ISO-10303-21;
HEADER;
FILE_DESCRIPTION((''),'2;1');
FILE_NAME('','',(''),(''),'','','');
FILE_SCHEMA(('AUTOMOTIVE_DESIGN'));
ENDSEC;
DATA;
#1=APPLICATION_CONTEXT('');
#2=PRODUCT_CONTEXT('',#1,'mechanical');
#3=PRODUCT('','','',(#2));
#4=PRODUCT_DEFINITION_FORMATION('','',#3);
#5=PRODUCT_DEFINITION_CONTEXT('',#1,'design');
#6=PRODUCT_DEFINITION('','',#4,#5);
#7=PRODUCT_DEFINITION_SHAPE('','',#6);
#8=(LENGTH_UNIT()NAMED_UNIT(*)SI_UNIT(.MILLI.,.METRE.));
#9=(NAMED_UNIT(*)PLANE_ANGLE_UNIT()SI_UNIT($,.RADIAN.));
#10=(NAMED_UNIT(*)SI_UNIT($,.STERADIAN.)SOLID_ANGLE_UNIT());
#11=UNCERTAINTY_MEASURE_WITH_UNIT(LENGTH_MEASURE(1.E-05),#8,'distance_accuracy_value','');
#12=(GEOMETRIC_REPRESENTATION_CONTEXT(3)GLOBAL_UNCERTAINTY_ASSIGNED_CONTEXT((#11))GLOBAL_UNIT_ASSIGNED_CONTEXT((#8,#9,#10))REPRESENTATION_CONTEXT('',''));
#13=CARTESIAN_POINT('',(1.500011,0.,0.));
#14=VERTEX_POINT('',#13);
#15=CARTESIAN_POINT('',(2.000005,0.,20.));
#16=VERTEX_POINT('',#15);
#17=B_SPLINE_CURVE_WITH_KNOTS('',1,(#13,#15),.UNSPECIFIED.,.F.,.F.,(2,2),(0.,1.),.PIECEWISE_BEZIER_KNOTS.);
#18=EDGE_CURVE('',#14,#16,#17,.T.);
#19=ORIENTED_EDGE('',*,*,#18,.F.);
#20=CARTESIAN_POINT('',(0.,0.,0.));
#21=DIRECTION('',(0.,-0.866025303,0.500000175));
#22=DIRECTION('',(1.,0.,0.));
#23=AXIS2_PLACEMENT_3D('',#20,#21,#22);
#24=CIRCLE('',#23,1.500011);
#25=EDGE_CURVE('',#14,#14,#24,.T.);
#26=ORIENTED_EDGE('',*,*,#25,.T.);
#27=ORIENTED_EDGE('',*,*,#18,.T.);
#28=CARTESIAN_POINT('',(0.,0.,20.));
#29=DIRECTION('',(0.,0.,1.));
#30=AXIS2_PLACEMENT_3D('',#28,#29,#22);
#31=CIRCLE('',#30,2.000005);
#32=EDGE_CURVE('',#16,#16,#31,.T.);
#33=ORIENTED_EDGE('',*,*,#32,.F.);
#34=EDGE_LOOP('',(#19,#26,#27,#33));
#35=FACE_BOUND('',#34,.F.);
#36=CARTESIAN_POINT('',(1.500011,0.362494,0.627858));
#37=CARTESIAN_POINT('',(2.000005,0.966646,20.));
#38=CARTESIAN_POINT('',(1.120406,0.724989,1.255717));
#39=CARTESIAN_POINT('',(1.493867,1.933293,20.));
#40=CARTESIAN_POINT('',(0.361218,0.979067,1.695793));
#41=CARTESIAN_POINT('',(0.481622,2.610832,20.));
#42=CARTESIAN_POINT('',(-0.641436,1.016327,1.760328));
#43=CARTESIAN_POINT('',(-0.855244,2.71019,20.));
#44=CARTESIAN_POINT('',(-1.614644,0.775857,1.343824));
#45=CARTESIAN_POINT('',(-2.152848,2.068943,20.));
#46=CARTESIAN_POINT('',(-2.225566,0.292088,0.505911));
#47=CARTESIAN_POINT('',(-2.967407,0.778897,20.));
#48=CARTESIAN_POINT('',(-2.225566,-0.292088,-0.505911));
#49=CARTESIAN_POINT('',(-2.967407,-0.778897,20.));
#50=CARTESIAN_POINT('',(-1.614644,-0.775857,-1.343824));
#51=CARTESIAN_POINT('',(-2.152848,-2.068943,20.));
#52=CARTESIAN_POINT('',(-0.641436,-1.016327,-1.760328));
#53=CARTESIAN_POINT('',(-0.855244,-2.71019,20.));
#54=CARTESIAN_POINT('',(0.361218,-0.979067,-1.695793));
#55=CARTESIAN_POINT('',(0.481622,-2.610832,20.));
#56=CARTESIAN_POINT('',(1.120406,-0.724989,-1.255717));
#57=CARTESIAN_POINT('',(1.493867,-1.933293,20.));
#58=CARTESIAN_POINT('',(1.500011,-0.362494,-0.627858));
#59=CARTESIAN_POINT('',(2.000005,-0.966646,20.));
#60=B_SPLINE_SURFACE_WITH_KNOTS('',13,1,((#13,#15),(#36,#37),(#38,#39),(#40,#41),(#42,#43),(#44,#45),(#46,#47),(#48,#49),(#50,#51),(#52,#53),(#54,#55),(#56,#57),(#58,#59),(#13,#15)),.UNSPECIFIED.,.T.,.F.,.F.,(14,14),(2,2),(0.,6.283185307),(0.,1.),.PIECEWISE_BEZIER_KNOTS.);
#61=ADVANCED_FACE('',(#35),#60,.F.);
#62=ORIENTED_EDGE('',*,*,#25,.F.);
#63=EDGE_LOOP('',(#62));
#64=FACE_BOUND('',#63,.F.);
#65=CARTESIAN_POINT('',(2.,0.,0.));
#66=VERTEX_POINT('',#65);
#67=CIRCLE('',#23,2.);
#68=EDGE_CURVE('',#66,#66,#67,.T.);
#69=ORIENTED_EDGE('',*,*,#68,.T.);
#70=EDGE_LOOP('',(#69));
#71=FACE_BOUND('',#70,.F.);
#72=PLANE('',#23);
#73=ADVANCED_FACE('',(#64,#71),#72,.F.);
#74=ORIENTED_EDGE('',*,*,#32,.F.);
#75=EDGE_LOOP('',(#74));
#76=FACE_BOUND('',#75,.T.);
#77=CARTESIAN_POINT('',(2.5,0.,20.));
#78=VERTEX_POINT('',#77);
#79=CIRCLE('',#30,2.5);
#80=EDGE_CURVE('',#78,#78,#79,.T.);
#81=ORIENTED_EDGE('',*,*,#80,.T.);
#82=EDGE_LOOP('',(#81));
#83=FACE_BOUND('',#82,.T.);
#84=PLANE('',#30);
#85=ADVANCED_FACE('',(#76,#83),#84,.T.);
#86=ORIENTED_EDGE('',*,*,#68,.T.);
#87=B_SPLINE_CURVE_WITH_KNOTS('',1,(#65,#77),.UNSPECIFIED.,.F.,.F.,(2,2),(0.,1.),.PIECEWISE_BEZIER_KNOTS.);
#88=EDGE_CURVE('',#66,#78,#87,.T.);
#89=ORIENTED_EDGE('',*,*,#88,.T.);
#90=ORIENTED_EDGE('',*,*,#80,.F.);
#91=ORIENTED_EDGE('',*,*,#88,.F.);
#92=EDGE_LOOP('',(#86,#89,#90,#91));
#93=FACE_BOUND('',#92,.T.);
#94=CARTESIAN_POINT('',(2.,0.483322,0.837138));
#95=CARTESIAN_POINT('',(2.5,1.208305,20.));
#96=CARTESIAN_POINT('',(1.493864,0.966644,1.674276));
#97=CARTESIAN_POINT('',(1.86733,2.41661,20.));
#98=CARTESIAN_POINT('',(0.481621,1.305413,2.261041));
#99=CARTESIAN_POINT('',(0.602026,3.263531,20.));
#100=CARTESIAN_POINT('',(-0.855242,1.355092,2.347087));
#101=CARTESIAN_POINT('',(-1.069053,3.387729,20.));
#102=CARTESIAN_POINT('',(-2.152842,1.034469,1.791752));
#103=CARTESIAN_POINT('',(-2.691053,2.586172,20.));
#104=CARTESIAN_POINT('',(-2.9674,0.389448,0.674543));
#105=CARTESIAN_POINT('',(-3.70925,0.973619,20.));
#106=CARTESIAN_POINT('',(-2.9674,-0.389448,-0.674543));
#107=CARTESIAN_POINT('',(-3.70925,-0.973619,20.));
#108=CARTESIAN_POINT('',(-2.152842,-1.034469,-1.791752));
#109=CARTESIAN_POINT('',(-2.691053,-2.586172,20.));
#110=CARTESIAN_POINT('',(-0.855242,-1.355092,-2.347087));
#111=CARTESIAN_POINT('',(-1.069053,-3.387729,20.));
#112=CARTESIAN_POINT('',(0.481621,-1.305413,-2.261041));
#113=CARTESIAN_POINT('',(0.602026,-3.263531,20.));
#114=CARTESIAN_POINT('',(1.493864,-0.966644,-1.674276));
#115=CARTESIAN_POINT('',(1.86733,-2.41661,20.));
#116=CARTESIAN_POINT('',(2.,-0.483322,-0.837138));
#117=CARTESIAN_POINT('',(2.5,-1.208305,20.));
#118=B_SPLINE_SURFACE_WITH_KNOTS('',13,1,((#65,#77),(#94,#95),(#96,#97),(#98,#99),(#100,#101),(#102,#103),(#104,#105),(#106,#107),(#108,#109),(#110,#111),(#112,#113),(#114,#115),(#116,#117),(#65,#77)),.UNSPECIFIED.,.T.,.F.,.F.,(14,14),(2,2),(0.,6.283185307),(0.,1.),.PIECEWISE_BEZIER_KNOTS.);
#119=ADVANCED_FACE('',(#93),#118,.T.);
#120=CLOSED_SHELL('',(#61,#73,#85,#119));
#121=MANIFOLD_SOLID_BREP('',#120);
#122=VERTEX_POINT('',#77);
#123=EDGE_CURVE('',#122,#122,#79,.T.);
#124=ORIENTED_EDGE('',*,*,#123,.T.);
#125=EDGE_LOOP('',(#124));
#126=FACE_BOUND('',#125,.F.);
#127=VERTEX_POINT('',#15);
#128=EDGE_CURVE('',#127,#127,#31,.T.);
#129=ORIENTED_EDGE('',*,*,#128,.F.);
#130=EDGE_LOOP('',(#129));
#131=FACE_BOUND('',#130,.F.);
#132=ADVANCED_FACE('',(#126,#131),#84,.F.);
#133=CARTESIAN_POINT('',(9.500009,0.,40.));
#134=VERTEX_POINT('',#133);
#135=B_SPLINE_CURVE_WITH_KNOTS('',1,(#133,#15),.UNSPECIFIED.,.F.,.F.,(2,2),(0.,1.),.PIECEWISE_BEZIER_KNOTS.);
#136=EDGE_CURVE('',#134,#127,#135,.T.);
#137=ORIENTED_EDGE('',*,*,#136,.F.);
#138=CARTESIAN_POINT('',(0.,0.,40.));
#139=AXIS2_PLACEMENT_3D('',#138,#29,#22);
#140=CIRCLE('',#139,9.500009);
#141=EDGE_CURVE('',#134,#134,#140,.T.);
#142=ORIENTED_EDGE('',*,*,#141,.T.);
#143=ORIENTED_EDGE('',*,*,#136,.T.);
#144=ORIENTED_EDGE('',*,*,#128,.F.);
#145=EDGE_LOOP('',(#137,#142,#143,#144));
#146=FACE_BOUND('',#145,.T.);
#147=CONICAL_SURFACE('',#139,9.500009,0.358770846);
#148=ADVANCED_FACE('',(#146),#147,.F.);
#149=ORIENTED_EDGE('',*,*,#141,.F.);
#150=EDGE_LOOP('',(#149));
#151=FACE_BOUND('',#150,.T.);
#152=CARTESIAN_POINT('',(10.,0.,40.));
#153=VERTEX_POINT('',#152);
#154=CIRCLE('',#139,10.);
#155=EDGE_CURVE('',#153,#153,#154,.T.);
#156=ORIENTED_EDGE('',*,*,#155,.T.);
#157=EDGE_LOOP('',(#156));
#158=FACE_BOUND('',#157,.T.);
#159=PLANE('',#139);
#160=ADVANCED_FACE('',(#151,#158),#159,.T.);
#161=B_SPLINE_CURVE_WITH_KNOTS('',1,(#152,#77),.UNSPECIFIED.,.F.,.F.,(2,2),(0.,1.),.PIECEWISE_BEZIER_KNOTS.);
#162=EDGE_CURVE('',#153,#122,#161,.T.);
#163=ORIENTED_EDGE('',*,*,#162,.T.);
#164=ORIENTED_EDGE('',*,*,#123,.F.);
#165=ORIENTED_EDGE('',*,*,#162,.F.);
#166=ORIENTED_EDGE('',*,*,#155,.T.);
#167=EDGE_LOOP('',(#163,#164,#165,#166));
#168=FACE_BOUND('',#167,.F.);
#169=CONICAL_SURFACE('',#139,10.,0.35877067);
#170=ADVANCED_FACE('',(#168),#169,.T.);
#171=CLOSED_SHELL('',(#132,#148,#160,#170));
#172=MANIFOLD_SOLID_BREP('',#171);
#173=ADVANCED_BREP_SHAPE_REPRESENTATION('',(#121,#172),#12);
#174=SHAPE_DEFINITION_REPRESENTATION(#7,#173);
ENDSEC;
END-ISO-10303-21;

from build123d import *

# Parameters (mm, degrees)
SKETCH002_R = 1.500011
SKETCH003_R = 2.000005
SKETCH_R    = 2
SKETCH001_R = 2.5
SKETCH005_R = 9.500009
SKETCH004_R = 10


with BuildPart() as loft_body:
    # Sketch002 → Loft section 0
    with BuildSketch(Plane(origin=(0, 0, 0), x_dir=(1, 0, 0), z_dir=(0, -0.866025, 0.5))):
        Circle(SKETCH002_R)
    # Sketch003 → Loft section 1
    with BuildSketch(Plane.XY.offset(20)):
        Circle(SKETCH003_R)
    loft()


with BuildPart() as cut:
    # Sketch → Loft001 section 0
    with BuildSketch(Plane(origin=(0, 0, 0), x_dir=(1, 0, 0), z_dir=(0, -0.866025, 0.5))):
        Circle(SKETCH_R)
    # Sketch001 → Loft001 section 1
    with BuildSketch(Plane.XY.offset(20)):
        Circle(SKETCH001_R)
    loft()

    # Cut: cut Loft body
    add(loft_body.part, mode=Mode.SUBTRACT)


with BuildPart() as loft003:
    # Sketch005 → Loft003 section 0
    with BuildSketch(Plane.XY.offset(40)):
        Circle(SKETCH005_R)
    # Sketch003 → Loft003 section 1
    with BuildSketch(Plane.XY.offset(20)):
        Circle(SKETCH003_R)
    loft()


with BuildPart() as cut001:
    # Sketch004 → Loft002 section 0
    with BuildSketch(Plane.XY.offset(40)):
        Circle(SKETCH004_R)
    # Sketch001 → Loft002 section 1
    with BuildSketch(Plane.XY.offset(20)):
        Circle(SKETCH001_R)
    loft()

    # Cut001: cut Loft003
    add(loft003.part, mode=Mode.SUBTRACT)


solid = Compound([cut.part, cut001.part])
